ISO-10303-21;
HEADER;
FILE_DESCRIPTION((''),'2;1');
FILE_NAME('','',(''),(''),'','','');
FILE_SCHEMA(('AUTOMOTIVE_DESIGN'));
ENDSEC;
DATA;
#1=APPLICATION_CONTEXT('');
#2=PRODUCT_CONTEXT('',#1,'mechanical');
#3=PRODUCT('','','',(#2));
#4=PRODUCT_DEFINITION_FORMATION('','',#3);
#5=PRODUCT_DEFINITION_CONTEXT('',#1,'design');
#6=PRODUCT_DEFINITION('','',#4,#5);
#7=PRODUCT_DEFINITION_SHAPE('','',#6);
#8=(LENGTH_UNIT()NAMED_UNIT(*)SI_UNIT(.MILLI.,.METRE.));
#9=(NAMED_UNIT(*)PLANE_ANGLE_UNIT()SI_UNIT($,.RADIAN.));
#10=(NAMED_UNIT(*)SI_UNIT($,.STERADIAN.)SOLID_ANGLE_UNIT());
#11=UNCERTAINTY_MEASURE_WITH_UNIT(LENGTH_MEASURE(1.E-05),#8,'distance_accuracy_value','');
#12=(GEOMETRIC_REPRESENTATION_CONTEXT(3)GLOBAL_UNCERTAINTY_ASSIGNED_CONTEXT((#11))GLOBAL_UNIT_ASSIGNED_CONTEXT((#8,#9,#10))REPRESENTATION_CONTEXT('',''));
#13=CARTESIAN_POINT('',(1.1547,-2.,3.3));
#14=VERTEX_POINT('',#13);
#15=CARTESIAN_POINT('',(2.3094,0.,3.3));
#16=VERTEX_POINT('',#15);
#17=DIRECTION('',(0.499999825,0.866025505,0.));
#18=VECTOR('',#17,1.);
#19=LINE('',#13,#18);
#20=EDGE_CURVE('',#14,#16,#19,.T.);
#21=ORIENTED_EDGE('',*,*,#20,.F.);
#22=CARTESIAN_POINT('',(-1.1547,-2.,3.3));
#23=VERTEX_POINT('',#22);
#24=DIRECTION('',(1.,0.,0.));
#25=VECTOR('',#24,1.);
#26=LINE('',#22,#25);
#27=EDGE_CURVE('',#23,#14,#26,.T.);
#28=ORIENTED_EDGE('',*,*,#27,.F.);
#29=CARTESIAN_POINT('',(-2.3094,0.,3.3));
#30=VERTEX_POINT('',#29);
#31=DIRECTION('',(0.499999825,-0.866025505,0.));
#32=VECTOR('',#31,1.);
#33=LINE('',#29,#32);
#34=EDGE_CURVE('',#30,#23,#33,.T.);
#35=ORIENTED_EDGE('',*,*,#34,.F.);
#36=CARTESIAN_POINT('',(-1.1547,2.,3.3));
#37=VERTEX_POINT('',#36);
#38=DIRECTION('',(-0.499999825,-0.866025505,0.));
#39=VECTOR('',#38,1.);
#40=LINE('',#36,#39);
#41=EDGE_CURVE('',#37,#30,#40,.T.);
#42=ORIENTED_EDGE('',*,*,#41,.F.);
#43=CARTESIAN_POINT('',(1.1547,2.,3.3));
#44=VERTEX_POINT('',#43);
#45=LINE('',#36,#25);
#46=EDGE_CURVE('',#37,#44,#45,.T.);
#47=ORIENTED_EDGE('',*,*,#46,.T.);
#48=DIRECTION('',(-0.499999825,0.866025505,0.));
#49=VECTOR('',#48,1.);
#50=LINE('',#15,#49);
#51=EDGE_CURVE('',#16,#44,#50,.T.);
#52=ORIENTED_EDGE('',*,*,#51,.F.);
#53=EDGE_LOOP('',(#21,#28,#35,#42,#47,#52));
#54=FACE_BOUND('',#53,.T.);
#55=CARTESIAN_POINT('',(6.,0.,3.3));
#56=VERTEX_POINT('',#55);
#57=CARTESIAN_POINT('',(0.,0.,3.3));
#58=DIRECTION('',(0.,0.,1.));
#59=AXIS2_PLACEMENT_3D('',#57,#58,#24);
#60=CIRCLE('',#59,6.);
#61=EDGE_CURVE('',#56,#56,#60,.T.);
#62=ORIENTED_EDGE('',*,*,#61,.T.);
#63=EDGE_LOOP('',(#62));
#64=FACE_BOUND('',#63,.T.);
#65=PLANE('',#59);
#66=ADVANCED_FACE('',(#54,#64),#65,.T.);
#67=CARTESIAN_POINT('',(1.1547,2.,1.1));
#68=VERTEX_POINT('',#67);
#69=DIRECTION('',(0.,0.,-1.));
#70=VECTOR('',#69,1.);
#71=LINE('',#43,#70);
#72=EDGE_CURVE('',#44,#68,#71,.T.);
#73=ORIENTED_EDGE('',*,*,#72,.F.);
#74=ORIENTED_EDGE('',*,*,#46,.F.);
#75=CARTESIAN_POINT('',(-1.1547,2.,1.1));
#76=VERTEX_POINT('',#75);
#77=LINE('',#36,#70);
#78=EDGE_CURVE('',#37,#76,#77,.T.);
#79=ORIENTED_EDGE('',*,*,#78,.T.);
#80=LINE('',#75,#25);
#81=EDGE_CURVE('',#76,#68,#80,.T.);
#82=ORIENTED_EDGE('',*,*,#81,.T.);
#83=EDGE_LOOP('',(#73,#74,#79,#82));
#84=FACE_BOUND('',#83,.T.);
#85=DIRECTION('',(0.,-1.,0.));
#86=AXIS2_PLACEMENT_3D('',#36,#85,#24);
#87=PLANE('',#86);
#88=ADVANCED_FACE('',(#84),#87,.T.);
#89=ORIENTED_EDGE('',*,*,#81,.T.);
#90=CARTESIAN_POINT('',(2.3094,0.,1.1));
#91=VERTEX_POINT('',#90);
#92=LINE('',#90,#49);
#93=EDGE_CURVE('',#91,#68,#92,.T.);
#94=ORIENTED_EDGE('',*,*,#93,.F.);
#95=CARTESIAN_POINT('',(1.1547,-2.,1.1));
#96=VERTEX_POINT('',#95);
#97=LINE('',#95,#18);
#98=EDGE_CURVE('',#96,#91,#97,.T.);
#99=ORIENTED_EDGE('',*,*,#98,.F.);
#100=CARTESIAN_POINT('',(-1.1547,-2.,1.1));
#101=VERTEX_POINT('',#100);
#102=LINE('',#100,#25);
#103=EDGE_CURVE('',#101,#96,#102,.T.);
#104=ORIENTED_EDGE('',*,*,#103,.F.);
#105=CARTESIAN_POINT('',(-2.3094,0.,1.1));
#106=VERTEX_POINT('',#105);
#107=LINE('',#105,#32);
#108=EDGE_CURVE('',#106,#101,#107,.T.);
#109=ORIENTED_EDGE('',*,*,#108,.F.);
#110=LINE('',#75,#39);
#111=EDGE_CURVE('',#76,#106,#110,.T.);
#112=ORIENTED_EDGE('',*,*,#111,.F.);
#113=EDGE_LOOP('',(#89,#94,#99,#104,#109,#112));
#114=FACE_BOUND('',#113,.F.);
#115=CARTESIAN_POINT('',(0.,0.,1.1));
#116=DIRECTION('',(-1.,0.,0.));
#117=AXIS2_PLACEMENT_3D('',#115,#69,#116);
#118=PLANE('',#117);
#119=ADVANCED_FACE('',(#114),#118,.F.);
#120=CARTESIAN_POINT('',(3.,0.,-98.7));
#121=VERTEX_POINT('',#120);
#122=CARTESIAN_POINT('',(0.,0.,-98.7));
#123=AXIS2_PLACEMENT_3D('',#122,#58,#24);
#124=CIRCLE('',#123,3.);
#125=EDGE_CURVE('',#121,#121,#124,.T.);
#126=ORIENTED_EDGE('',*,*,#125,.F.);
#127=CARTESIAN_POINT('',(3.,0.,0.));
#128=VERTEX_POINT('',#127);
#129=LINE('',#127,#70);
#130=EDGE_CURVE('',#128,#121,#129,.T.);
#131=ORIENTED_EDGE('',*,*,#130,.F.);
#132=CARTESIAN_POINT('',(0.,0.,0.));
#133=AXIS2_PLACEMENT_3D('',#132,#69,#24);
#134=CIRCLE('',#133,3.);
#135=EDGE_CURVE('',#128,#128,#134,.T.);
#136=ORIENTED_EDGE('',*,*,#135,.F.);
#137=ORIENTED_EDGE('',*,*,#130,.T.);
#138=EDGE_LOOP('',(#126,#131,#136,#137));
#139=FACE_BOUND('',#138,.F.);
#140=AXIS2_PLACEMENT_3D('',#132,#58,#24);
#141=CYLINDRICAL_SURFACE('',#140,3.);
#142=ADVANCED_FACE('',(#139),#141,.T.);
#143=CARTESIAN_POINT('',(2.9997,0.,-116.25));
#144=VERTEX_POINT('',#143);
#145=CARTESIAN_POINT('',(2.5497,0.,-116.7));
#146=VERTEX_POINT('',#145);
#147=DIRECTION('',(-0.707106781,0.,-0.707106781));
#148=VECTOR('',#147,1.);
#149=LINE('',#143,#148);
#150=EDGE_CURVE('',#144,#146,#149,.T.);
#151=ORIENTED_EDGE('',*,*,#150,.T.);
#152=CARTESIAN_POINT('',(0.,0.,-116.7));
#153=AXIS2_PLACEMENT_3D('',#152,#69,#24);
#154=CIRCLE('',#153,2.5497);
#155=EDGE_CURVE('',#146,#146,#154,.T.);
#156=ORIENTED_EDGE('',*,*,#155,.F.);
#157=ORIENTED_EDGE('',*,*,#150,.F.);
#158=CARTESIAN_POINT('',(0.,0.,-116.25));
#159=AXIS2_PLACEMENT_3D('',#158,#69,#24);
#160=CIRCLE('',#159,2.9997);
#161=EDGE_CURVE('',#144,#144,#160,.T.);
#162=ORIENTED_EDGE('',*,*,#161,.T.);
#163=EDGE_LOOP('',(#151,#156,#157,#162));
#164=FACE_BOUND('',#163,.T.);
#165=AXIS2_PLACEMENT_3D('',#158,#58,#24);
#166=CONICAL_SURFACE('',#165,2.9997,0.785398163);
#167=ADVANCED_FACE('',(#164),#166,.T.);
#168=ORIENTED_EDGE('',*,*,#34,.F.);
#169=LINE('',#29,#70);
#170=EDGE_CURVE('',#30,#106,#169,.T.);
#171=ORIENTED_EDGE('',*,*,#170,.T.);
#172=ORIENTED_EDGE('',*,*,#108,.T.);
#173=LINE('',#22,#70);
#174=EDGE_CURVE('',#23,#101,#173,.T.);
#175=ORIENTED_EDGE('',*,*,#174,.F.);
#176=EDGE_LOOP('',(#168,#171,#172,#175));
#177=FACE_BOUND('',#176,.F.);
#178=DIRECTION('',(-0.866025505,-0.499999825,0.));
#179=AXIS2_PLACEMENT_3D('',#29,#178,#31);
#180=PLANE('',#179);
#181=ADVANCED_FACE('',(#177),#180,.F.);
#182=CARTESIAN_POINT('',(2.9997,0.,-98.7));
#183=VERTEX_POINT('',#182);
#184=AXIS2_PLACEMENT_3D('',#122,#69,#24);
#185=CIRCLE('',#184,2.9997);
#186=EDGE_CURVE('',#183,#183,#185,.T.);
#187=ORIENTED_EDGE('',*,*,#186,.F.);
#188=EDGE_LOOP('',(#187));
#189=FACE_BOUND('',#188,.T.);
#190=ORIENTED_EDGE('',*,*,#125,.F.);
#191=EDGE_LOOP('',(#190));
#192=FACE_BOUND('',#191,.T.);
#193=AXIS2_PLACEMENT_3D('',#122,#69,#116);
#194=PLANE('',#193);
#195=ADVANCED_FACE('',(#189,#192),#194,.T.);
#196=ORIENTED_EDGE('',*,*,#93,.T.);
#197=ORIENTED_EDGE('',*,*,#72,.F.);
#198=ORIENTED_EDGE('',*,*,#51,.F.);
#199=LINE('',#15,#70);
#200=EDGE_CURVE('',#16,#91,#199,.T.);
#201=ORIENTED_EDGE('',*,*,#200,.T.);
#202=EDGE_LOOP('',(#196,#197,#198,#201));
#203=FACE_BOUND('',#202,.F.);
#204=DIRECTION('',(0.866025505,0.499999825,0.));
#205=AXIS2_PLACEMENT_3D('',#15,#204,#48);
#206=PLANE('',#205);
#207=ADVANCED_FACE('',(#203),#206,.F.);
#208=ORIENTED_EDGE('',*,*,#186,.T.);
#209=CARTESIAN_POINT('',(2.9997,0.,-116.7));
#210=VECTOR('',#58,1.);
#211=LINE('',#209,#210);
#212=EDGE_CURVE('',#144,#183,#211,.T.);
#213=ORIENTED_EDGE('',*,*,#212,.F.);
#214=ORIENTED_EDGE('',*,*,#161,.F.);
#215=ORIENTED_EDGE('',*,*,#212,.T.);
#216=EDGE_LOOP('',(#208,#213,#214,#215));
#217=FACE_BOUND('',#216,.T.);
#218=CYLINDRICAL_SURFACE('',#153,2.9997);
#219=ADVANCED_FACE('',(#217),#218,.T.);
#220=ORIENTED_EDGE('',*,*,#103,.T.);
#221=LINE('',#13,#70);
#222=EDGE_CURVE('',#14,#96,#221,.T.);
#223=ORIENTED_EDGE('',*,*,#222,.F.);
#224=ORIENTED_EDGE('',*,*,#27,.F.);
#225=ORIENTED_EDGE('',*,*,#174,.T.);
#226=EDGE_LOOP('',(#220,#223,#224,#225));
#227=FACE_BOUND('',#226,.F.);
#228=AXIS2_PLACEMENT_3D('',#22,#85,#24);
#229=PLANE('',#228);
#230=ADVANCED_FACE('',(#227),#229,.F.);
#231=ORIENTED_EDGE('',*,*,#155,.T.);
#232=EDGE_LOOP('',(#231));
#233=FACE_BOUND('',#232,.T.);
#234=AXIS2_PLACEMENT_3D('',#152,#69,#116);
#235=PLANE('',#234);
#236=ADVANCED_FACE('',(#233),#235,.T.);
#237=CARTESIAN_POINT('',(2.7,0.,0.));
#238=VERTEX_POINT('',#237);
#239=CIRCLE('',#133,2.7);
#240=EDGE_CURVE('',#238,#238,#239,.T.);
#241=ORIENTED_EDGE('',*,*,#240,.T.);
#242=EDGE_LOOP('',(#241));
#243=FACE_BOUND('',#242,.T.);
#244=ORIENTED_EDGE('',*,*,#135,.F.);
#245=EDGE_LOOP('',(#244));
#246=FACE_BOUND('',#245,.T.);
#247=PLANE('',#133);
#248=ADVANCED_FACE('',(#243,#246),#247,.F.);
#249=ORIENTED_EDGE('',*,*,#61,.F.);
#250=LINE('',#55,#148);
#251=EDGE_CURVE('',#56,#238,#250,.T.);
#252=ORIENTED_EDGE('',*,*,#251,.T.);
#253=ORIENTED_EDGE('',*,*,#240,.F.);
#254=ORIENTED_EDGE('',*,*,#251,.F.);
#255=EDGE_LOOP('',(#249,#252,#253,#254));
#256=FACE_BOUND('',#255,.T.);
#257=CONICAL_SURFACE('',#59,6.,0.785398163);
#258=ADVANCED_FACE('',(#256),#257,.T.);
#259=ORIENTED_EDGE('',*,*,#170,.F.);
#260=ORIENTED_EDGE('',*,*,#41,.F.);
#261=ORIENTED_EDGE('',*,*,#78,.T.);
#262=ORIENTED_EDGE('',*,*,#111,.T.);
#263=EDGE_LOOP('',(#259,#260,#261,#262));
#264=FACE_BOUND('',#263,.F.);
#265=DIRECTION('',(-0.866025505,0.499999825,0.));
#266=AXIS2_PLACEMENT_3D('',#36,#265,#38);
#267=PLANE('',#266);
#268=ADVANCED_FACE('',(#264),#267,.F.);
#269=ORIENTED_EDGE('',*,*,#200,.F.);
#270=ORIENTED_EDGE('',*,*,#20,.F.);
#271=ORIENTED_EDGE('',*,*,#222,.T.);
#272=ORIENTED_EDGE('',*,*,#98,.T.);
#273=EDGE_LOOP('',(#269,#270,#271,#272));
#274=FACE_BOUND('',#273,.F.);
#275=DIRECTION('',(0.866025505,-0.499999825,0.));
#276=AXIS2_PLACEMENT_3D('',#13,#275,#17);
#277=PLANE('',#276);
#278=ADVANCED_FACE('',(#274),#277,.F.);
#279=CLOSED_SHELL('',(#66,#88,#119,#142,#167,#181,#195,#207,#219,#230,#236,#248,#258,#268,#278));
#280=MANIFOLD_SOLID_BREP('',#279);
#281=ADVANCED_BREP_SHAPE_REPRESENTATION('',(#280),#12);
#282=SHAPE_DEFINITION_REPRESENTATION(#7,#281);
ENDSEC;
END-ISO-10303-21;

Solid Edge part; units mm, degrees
sketch "Sketch1" plane through (0, 0, 0) normal (0, 0, 1) x (1, 0, 0)
  circle A0 centre (0, 0) radius 6
  dimension "D1" = 12
extrude "Protrusion1" add sketch "Sketch1" along normal blind 3.3
sketch "Sketch2" plane through (0, 0, 0) normal (0, 0, -1) x (1, 0, 0)
  circle A0 centre (0, 0) radius 3
extrude "Protrusion2" add sketch "Sketch2" along normal blind 116.7
sketch "Sketch3" plane through (0, 0, -116.7) normal (0, 0, -1) x (1, 0, 0)
  circle A0 centre (0, 0) radius 2.9997
extrude "Cutout1" cut sketch "Sketch3" against normal blind 18 flip side to cut
chamfer "Chamfer_1" distance 0.45 angle 45 1 edges at (-2.9997, 0, -116.7)
sketch "Sketch4" plane through (0, 0, 3.3) normal (0, 0, 1) x (1, 0, 0)
  line L0 (-1.1547, 2) -> (1.1547, 2)
  line L1 (2.3094, 0) -> (1.1547, 2)
  line L2 (1.1547, -2) -> (2.3094, 0)
  line L3 (-1.1547, -2) -> (1.1547, -2)
  line L4 (-2.3094, 0) -> (-1.1547, -2)
  line L5 (-1.1547, 2) -> (-2.3094, 0)
  dimension "D1" = 4
extrude "Cutout2" cut sketch "Sketch4" against normal blind 2.2
sketch "Sketch5" plane through (0, 0, 0) normal (0, -1, 0) x (1, 0, 0)
  line L0 (6, 3.3) -> (2.7, 0)
  line L1 (2.7, 0) -> (6, 0)
  line L2 (6, 0) -> (6, 3.3)
revolve "RevolvedCutout1" cut sketch "Sketch5" angle 360 about axis through (0, 0, 14.0017) along (0, 0, -1)
properties part number "107782"
